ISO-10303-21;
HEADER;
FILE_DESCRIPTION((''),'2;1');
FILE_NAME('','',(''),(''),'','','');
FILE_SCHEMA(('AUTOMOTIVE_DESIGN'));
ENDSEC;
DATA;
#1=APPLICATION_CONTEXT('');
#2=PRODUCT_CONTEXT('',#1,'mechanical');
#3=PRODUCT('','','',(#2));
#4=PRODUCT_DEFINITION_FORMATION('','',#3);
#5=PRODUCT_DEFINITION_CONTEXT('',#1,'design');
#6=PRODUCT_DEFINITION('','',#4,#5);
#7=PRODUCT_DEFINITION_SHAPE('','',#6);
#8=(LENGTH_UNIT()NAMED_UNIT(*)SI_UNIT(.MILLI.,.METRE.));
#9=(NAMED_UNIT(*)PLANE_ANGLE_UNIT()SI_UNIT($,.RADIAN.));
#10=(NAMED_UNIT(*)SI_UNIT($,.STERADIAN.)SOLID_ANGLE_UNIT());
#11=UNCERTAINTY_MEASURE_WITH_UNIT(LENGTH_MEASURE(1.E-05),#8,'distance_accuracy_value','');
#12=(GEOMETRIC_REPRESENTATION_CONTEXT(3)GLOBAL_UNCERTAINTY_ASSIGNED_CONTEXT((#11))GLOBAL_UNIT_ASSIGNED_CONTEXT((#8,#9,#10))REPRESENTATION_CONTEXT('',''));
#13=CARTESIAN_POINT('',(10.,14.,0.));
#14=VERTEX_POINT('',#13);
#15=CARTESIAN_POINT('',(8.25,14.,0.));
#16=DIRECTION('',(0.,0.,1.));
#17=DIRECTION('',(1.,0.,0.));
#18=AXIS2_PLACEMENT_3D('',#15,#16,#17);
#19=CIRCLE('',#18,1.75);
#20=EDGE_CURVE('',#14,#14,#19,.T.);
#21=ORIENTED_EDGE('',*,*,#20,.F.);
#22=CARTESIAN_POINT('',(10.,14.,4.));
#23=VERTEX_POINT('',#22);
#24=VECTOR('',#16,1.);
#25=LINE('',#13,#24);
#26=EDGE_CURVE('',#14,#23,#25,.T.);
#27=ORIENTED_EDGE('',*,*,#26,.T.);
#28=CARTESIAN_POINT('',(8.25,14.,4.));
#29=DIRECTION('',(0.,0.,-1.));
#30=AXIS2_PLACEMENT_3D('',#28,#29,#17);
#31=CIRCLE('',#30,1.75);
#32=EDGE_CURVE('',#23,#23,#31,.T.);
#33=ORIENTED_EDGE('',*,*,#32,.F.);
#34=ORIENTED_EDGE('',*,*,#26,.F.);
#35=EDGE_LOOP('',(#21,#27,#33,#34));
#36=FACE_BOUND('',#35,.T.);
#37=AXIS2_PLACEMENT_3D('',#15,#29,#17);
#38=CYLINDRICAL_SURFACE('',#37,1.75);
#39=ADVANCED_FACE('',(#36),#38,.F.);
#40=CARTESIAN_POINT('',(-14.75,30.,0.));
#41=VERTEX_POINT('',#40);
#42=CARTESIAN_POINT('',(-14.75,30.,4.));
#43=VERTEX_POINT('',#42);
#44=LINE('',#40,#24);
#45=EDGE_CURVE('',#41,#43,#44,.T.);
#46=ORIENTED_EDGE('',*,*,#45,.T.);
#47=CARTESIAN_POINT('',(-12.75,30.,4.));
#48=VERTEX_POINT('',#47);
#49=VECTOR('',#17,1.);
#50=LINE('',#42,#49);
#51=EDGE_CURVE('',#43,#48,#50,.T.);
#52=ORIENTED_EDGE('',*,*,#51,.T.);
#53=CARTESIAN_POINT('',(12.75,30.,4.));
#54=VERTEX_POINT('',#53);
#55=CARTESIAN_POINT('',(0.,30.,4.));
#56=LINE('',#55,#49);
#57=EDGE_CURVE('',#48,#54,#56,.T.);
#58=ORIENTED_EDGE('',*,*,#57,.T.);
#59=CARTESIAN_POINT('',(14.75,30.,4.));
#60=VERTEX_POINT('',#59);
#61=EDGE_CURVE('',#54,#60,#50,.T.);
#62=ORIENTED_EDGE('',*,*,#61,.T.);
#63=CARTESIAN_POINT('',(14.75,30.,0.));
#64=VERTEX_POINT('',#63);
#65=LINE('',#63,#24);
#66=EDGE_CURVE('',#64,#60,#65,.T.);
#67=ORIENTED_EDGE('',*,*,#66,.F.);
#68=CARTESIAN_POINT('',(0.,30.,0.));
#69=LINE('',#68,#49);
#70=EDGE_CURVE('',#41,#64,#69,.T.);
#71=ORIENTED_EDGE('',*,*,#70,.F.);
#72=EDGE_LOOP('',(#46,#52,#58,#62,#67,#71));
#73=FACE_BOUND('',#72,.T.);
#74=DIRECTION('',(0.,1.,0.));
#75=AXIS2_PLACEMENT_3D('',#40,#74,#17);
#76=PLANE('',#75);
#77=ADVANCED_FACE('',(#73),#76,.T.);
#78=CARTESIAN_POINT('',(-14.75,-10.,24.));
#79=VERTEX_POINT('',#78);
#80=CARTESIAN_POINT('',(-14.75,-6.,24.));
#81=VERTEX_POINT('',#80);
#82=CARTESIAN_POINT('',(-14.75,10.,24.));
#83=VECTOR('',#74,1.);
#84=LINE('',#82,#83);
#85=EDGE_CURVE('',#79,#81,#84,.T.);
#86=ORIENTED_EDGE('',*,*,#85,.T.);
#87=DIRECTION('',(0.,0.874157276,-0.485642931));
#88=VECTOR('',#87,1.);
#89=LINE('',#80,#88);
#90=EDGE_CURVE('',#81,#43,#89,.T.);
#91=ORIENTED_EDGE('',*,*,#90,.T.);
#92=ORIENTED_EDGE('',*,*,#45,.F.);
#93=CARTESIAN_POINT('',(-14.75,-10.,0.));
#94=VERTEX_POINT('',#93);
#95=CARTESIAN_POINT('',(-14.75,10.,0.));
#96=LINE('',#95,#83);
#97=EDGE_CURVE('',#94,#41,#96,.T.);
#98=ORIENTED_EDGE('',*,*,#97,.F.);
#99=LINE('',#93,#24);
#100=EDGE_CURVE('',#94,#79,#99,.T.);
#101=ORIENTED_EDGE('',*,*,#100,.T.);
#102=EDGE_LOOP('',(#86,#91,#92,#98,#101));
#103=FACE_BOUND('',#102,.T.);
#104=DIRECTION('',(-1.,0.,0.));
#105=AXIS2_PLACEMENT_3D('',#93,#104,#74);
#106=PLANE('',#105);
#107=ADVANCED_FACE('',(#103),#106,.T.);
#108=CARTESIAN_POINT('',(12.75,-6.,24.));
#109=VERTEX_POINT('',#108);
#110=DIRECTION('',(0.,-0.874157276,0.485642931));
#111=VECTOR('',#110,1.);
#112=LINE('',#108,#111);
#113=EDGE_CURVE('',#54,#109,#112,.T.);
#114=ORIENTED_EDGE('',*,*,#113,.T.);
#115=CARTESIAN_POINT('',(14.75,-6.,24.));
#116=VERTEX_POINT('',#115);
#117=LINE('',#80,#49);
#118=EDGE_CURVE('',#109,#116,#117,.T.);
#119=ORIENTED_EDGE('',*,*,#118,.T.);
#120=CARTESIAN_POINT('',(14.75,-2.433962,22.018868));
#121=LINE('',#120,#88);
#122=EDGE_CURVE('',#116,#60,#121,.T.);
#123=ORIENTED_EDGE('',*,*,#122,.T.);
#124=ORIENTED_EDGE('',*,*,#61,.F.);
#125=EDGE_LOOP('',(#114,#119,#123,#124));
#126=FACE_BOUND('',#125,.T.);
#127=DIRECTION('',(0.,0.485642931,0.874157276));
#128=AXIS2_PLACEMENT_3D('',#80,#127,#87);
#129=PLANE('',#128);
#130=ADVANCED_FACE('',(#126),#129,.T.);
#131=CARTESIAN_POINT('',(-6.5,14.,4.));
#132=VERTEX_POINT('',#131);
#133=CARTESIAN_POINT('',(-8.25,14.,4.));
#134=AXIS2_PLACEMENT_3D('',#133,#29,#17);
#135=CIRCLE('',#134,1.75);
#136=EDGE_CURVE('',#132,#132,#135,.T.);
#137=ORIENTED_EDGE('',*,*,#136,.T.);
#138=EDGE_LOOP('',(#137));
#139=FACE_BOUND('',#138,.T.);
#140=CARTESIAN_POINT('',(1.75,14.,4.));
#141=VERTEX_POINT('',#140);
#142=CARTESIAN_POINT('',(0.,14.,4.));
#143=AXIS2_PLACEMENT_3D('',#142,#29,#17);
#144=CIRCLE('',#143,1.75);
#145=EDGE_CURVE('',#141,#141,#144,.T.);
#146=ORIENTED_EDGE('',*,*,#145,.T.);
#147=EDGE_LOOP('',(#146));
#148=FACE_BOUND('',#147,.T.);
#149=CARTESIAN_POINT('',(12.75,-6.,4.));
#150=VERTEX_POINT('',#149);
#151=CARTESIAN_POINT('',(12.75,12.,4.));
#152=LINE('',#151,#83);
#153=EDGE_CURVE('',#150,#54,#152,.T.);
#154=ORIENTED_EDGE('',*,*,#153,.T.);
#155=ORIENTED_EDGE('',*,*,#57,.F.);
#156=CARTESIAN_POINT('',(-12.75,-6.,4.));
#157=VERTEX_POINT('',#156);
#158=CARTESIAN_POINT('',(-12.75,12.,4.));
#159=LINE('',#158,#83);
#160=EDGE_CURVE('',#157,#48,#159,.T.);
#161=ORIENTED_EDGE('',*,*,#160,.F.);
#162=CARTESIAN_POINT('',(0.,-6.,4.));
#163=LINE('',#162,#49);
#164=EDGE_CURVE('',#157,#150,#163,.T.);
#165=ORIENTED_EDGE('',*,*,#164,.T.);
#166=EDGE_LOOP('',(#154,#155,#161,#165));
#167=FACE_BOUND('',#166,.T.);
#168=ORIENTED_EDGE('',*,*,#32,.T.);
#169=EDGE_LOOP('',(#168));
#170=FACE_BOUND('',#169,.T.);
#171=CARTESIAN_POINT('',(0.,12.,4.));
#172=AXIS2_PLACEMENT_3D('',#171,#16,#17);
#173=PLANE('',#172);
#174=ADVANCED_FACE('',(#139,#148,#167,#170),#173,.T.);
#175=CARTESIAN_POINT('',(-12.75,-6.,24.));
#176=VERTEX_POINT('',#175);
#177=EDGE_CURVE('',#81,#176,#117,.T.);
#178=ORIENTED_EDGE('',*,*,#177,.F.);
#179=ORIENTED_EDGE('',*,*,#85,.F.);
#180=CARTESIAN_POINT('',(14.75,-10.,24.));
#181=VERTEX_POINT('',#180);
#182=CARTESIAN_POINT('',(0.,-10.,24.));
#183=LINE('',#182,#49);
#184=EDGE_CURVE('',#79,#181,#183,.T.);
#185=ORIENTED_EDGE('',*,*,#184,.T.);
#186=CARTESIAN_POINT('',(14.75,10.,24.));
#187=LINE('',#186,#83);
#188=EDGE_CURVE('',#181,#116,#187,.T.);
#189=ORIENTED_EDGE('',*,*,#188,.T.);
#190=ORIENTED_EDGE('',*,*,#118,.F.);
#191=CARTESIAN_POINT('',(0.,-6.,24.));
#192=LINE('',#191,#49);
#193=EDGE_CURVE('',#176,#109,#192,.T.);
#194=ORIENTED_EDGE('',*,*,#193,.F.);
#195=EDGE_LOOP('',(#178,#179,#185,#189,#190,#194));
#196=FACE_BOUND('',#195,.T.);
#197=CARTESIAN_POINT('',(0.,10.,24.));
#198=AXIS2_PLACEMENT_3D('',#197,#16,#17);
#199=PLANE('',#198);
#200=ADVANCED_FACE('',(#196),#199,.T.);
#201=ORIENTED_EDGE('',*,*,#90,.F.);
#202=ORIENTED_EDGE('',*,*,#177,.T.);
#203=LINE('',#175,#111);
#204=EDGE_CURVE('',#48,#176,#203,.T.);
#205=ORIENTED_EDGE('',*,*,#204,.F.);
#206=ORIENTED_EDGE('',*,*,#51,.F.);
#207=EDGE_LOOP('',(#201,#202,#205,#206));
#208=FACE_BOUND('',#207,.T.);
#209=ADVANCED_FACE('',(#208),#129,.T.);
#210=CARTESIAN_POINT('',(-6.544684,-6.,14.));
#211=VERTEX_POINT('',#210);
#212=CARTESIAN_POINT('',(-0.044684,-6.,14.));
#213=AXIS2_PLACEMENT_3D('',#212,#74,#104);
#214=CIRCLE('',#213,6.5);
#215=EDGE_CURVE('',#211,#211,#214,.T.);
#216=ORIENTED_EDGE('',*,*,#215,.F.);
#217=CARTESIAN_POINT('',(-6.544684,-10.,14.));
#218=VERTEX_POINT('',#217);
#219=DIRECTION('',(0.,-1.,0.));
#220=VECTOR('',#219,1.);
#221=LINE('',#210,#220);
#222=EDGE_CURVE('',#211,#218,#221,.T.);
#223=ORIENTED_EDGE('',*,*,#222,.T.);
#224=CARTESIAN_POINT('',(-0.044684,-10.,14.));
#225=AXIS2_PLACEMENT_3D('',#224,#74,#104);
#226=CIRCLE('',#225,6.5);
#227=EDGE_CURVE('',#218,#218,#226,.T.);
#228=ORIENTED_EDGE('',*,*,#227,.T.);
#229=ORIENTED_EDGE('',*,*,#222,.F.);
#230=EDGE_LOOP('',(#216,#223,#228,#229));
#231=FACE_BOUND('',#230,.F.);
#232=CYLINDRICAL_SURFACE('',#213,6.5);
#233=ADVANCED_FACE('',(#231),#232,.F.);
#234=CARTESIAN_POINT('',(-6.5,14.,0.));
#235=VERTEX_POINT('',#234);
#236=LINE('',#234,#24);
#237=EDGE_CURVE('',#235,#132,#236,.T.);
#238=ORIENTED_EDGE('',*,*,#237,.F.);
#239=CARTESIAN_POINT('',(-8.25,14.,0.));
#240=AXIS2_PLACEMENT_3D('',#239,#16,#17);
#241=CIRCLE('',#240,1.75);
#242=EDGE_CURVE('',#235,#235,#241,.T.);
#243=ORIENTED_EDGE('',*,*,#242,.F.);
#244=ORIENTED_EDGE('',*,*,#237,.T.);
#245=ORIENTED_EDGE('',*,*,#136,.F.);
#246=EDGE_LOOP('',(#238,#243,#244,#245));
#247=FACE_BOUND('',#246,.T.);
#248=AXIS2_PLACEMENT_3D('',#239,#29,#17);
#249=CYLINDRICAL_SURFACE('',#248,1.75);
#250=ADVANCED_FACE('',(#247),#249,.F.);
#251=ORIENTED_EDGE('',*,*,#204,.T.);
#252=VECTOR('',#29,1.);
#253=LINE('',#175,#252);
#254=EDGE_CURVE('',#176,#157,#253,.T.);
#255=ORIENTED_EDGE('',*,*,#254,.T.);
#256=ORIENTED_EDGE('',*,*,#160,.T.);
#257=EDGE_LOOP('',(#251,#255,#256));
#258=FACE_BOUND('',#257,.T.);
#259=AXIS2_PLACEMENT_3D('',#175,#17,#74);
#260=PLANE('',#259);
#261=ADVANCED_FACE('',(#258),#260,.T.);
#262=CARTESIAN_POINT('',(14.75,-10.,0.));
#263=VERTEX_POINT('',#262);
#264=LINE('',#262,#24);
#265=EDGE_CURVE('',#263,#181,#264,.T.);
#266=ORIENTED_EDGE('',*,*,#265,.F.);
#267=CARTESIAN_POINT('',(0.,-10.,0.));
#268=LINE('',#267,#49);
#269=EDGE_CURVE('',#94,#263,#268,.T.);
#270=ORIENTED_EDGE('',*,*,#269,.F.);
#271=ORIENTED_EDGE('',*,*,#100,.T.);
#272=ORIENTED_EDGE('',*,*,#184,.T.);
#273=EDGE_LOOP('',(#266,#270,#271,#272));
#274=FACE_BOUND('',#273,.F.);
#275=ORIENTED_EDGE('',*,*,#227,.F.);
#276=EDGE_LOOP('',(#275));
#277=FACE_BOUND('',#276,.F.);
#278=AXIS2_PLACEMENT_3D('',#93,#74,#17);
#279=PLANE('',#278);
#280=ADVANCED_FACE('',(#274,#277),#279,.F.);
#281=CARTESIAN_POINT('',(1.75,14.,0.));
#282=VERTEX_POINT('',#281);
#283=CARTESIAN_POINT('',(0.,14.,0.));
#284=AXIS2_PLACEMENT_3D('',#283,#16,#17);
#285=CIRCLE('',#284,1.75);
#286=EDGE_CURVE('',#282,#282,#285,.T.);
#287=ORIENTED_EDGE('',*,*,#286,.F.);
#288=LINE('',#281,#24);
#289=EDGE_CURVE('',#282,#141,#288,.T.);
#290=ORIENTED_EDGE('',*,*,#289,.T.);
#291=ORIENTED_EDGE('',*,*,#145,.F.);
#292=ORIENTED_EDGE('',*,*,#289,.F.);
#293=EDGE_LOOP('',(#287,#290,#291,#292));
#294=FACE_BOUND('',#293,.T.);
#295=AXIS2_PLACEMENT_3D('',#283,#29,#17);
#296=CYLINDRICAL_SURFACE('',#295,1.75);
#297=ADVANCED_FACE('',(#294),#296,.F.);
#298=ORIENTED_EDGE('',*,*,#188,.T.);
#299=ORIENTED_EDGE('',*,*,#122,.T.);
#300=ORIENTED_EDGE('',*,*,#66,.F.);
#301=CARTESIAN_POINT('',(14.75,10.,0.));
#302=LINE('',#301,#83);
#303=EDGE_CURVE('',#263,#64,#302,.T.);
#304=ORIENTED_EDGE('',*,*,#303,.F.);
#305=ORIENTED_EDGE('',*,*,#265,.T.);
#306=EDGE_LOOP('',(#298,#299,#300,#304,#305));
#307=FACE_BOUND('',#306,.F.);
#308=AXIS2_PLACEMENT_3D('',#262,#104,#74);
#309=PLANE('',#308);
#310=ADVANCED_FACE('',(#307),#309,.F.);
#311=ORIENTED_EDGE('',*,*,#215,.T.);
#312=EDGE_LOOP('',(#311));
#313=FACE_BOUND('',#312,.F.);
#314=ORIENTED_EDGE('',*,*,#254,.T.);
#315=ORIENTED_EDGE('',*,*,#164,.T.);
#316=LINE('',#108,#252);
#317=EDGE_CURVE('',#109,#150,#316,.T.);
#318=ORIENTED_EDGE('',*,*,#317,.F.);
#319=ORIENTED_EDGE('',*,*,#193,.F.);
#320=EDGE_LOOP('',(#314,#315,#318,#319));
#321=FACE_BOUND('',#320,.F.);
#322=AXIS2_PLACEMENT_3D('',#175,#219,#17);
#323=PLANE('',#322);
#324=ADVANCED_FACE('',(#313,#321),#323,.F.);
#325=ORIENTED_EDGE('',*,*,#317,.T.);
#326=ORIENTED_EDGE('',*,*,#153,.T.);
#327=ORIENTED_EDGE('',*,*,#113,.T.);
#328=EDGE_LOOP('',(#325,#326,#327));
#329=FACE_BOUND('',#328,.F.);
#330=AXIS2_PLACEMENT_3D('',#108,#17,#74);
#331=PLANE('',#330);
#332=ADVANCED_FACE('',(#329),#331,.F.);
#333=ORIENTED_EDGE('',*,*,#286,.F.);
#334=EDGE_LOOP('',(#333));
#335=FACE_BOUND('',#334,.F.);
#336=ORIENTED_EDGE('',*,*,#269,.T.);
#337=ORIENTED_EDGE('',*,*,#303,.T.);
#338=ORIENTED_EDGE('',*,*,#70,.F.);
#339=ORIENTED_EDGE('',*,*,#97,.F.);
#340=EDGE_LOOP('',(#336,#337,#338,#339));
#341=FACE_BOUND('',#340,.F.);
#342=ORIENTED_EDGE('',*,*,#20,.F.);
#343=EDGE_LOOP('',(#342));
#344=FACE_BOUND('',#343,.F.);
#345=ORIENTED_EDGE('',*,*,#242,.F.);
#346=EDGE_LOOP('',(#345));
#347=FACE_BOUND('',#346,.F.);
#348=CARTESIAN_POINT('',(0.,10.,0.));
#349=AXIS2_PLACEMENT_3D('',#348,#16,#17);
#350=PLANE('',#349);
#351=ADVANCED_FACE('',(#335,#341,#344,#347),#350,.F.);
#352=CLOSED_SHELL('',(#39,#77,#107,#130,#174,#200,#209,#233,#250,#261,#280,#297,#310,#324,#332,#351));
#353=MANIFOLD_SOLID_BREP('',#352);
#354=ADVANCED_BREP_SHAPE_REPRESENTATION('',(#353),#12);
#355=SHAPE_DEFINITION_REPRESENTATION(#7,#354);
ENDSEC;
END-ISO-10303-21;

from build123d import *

# Parameters (mm, degrees)
SKETCH_W        = 29.5
SKETCH_H        = 40
SKETCH_R        = 1.75
PAD_DEPTH       = 24
SKETCH001_W     = 25.5
SKETCH001_H     = 36
POCKET_DEPTH    = 20
POCKET001_DEPTH = 29.501
SKETCH003_R     = 6.5
POCKET002_DEPTH = 5


with BuildPart() as part:
    # Sketch → Pad (new body)
    with BuildSketch(Plane.XY):
        with Locations((0, 10)):
            Rectangle(SKETCH_W, SKETCH_H)
        with Locations((-8.25, 14)):
            Circle(SKETCH_R, mode=Mode.SUBTRACT)
        with Locations((0, 14)):
            Circle(SKETCH_R, mode=Mode.SUBTRACT)
        with Locations((8.25, 14)):
            Circle(SKETCH_R, mode=Mode.SUBTRACT)
    extrude(amount=PAD_DEPTH)

    # Sketch001 (on Face9 of Pad) → Pocket (cut)
    with BuildSketch(Plane.XY.offset(24)):
        with Locations((0, 12)):
            Rectangle(SKETCH001_W, SKETCH001_H)
    extrude(amount=-POCKET_DEPTH, mode=Mode.SUBTRACT)

    # Sketch002 (on Face8 of Pocket) → Pocket001 (cut, through all)
    with BuildSketch(Plane(origin=(-14.75, 0, 0), x_dir=(0, -1, 0), z_dir=(-1, 0, 0))):
        Polygon((-30, 24), (6, 24), (-30, 4), align=None)
    extrude(amount=-POCKET001_DEPTH, mode=Mode.SUBTRACT)

    # Sketch003 (on Face15 of Pocket001) → Pocket002 (cut)
    with BuildSketch(Plane(origin=(0, -6, 0), x_dir=(-1, 0, 0), z_dir=(0, 1, 0))):
        with Locations((0.044684, 14)):
            Circle(SKETCH003_R)
    extrude(amount=-POCKET002_DEPTH, mode=Mode.SUBTRACT)


solid = part.part
